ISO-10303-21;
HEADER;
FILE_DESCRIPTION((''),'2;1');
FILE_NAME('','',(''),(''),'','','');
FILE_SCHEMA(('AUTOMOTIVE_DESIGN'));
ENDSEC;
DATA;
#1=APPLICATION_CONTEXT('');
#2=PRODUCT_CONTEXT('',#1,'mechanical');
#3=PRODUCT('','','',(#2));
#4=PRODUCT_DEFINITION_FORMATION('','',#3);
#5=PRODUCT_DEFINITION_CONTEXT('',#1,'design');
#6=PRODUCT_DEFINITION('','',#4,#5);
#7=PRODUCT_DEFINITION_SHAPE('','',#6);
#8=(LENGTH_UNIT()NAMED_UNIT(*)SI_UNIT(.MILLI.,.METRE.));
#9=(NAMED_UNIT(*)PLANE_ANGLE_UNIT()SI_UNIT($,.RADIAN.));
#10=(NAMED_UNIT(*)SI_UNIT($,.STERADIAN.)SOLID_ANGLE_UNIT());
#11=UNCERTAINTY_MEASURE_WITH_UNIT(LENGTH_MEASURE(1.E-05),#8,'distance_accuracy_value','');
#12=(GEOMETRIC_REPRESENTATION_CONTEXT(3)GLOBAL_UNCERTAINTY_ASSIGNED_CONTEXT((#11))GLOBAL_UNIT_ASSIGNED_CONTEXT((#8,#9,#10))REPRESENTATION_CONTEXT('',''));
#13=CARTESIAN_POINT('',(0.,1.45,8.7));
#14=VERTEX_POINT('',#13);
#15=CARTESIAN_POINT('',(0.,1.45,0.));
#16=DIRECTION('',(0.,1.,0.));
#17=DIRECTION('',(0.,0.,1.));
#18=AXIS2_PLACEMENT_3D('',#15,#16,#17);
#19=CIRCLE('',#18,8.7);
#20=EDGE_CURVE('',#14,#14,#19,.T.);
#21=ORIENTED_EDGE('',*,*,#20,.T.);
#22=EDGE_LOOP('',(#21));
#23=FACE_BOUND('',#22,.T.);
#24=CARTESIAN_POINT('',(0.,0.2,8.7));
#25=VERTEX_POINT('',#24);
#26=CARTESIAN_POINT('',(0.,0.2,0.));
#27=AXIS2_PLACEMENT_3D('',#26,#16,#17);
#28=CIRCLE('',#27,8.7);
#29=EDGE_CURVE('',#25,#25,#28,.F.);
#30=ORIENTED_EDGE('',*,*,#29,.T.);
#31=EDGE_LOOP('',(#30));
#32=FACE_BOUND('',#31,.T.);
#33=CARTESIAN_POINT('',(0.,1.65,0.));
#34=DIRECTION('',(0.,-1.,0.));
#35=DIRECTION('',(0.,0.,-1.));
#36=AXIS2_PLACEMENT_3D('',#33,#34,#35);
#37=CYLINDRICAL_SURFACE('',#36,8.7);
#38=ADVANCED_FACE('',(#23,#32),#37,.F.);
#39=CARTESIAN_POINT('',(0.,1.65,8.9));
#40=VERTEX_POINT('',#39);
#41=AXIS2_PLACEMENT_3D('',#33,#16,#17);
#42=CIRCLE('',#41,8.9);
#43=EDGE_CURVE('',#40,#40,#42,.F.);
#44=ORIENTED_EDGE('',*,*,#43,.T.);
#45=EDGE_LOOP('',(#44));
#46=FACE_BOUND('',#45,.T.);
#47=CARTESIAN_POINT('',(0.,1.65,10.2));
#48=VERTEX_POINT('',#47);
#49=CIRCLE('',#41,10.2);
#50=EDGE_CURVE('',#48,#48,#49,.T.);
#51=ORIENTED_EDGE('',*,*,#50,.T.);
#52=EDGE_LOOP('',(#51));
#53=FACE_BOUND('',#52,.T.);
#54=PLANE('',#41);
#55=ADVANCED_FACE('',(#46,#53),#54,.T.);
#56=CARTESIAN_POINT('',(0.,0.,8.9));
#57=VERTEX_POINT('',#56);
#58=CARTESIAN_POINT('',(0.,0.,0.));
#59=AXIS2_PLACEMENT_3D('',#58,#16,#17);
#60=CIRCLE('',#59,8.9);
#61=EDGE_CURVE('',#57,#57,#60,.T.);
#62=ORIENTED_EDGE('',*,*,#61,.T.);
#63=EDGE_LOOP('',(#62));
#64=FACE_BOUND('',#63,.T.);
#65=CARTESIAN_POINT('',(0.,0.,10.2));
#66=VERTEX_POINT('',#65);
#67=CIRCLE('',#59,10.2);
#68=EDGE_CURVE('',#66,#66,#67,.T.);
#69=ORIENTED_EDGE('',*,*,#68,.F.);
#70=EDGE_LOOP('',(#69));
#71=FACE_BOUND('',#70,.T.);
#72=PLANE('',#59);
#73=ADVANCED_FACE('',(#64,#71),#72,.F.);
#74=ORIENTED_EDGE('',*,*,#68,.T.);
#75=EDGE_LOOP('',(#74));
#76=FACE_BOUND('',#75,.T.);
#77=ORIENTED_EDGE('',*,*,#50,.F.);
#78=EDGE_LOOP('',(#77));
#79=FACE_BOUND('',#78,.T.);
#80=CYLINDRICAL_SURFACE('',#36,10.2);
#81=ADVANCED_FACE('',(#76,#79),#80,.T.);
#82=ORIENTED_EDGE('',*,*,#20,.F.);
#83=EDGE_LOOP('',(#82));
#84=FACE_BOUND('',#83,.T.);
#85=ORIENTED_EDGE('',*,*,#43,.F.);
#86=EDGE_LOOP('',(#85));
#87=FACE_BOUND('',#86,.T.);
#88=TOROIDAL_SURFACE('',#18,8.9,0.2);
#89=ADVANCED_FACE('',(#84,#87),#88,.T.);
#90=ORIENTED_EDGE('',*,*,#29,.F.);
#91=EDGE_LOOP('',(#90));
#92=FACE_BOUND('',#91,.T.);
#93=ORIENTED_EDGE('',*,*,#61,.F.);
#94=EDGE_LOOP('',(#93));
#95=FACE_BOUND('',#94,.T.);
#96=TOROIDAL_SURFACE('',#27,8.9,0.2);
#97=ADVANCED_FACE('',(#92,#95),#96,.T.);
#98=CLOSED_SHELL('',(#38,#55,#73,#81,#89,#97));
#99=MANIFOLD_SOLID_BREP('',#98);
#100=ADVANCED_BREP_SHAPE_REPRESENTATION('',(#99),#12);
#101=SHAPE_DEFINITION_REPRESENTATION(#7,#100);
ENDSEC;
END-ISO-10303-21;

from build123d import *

# Parameters (mm, degrees)
SKETCH_1_R      = 10.2
SKETCH_1_R_2    = 8.7
EXTRUDE_1_DEPTH = 1.65
FILLET_1_R      = 0.2


with BuildPart() as part:
    # 草图1 → 凸台-拉伸1 (new body)
    with BuildSketch(Plane(origin=(0, 0, 0), x_dir=(1, 0, 0), z_dir=(0, 1, 0))):
        Circle(SKETCH_1_R)
        Circle(SKETCH_1_R_2, mode=Mode.SUBTRACT)
    extrude(amount=EXTRUDE_1_DEPTH)

    # 圆角1
    fillet_1_edges = [part.edges().sort_by_distance(p)[0] for p in [
        (-8.7, 0, 0),
        (-8.7, 1.65, 0),
    ]]
    fillet(fillet_1_edges, radius=FILLET_1_R)


solid = part.part
